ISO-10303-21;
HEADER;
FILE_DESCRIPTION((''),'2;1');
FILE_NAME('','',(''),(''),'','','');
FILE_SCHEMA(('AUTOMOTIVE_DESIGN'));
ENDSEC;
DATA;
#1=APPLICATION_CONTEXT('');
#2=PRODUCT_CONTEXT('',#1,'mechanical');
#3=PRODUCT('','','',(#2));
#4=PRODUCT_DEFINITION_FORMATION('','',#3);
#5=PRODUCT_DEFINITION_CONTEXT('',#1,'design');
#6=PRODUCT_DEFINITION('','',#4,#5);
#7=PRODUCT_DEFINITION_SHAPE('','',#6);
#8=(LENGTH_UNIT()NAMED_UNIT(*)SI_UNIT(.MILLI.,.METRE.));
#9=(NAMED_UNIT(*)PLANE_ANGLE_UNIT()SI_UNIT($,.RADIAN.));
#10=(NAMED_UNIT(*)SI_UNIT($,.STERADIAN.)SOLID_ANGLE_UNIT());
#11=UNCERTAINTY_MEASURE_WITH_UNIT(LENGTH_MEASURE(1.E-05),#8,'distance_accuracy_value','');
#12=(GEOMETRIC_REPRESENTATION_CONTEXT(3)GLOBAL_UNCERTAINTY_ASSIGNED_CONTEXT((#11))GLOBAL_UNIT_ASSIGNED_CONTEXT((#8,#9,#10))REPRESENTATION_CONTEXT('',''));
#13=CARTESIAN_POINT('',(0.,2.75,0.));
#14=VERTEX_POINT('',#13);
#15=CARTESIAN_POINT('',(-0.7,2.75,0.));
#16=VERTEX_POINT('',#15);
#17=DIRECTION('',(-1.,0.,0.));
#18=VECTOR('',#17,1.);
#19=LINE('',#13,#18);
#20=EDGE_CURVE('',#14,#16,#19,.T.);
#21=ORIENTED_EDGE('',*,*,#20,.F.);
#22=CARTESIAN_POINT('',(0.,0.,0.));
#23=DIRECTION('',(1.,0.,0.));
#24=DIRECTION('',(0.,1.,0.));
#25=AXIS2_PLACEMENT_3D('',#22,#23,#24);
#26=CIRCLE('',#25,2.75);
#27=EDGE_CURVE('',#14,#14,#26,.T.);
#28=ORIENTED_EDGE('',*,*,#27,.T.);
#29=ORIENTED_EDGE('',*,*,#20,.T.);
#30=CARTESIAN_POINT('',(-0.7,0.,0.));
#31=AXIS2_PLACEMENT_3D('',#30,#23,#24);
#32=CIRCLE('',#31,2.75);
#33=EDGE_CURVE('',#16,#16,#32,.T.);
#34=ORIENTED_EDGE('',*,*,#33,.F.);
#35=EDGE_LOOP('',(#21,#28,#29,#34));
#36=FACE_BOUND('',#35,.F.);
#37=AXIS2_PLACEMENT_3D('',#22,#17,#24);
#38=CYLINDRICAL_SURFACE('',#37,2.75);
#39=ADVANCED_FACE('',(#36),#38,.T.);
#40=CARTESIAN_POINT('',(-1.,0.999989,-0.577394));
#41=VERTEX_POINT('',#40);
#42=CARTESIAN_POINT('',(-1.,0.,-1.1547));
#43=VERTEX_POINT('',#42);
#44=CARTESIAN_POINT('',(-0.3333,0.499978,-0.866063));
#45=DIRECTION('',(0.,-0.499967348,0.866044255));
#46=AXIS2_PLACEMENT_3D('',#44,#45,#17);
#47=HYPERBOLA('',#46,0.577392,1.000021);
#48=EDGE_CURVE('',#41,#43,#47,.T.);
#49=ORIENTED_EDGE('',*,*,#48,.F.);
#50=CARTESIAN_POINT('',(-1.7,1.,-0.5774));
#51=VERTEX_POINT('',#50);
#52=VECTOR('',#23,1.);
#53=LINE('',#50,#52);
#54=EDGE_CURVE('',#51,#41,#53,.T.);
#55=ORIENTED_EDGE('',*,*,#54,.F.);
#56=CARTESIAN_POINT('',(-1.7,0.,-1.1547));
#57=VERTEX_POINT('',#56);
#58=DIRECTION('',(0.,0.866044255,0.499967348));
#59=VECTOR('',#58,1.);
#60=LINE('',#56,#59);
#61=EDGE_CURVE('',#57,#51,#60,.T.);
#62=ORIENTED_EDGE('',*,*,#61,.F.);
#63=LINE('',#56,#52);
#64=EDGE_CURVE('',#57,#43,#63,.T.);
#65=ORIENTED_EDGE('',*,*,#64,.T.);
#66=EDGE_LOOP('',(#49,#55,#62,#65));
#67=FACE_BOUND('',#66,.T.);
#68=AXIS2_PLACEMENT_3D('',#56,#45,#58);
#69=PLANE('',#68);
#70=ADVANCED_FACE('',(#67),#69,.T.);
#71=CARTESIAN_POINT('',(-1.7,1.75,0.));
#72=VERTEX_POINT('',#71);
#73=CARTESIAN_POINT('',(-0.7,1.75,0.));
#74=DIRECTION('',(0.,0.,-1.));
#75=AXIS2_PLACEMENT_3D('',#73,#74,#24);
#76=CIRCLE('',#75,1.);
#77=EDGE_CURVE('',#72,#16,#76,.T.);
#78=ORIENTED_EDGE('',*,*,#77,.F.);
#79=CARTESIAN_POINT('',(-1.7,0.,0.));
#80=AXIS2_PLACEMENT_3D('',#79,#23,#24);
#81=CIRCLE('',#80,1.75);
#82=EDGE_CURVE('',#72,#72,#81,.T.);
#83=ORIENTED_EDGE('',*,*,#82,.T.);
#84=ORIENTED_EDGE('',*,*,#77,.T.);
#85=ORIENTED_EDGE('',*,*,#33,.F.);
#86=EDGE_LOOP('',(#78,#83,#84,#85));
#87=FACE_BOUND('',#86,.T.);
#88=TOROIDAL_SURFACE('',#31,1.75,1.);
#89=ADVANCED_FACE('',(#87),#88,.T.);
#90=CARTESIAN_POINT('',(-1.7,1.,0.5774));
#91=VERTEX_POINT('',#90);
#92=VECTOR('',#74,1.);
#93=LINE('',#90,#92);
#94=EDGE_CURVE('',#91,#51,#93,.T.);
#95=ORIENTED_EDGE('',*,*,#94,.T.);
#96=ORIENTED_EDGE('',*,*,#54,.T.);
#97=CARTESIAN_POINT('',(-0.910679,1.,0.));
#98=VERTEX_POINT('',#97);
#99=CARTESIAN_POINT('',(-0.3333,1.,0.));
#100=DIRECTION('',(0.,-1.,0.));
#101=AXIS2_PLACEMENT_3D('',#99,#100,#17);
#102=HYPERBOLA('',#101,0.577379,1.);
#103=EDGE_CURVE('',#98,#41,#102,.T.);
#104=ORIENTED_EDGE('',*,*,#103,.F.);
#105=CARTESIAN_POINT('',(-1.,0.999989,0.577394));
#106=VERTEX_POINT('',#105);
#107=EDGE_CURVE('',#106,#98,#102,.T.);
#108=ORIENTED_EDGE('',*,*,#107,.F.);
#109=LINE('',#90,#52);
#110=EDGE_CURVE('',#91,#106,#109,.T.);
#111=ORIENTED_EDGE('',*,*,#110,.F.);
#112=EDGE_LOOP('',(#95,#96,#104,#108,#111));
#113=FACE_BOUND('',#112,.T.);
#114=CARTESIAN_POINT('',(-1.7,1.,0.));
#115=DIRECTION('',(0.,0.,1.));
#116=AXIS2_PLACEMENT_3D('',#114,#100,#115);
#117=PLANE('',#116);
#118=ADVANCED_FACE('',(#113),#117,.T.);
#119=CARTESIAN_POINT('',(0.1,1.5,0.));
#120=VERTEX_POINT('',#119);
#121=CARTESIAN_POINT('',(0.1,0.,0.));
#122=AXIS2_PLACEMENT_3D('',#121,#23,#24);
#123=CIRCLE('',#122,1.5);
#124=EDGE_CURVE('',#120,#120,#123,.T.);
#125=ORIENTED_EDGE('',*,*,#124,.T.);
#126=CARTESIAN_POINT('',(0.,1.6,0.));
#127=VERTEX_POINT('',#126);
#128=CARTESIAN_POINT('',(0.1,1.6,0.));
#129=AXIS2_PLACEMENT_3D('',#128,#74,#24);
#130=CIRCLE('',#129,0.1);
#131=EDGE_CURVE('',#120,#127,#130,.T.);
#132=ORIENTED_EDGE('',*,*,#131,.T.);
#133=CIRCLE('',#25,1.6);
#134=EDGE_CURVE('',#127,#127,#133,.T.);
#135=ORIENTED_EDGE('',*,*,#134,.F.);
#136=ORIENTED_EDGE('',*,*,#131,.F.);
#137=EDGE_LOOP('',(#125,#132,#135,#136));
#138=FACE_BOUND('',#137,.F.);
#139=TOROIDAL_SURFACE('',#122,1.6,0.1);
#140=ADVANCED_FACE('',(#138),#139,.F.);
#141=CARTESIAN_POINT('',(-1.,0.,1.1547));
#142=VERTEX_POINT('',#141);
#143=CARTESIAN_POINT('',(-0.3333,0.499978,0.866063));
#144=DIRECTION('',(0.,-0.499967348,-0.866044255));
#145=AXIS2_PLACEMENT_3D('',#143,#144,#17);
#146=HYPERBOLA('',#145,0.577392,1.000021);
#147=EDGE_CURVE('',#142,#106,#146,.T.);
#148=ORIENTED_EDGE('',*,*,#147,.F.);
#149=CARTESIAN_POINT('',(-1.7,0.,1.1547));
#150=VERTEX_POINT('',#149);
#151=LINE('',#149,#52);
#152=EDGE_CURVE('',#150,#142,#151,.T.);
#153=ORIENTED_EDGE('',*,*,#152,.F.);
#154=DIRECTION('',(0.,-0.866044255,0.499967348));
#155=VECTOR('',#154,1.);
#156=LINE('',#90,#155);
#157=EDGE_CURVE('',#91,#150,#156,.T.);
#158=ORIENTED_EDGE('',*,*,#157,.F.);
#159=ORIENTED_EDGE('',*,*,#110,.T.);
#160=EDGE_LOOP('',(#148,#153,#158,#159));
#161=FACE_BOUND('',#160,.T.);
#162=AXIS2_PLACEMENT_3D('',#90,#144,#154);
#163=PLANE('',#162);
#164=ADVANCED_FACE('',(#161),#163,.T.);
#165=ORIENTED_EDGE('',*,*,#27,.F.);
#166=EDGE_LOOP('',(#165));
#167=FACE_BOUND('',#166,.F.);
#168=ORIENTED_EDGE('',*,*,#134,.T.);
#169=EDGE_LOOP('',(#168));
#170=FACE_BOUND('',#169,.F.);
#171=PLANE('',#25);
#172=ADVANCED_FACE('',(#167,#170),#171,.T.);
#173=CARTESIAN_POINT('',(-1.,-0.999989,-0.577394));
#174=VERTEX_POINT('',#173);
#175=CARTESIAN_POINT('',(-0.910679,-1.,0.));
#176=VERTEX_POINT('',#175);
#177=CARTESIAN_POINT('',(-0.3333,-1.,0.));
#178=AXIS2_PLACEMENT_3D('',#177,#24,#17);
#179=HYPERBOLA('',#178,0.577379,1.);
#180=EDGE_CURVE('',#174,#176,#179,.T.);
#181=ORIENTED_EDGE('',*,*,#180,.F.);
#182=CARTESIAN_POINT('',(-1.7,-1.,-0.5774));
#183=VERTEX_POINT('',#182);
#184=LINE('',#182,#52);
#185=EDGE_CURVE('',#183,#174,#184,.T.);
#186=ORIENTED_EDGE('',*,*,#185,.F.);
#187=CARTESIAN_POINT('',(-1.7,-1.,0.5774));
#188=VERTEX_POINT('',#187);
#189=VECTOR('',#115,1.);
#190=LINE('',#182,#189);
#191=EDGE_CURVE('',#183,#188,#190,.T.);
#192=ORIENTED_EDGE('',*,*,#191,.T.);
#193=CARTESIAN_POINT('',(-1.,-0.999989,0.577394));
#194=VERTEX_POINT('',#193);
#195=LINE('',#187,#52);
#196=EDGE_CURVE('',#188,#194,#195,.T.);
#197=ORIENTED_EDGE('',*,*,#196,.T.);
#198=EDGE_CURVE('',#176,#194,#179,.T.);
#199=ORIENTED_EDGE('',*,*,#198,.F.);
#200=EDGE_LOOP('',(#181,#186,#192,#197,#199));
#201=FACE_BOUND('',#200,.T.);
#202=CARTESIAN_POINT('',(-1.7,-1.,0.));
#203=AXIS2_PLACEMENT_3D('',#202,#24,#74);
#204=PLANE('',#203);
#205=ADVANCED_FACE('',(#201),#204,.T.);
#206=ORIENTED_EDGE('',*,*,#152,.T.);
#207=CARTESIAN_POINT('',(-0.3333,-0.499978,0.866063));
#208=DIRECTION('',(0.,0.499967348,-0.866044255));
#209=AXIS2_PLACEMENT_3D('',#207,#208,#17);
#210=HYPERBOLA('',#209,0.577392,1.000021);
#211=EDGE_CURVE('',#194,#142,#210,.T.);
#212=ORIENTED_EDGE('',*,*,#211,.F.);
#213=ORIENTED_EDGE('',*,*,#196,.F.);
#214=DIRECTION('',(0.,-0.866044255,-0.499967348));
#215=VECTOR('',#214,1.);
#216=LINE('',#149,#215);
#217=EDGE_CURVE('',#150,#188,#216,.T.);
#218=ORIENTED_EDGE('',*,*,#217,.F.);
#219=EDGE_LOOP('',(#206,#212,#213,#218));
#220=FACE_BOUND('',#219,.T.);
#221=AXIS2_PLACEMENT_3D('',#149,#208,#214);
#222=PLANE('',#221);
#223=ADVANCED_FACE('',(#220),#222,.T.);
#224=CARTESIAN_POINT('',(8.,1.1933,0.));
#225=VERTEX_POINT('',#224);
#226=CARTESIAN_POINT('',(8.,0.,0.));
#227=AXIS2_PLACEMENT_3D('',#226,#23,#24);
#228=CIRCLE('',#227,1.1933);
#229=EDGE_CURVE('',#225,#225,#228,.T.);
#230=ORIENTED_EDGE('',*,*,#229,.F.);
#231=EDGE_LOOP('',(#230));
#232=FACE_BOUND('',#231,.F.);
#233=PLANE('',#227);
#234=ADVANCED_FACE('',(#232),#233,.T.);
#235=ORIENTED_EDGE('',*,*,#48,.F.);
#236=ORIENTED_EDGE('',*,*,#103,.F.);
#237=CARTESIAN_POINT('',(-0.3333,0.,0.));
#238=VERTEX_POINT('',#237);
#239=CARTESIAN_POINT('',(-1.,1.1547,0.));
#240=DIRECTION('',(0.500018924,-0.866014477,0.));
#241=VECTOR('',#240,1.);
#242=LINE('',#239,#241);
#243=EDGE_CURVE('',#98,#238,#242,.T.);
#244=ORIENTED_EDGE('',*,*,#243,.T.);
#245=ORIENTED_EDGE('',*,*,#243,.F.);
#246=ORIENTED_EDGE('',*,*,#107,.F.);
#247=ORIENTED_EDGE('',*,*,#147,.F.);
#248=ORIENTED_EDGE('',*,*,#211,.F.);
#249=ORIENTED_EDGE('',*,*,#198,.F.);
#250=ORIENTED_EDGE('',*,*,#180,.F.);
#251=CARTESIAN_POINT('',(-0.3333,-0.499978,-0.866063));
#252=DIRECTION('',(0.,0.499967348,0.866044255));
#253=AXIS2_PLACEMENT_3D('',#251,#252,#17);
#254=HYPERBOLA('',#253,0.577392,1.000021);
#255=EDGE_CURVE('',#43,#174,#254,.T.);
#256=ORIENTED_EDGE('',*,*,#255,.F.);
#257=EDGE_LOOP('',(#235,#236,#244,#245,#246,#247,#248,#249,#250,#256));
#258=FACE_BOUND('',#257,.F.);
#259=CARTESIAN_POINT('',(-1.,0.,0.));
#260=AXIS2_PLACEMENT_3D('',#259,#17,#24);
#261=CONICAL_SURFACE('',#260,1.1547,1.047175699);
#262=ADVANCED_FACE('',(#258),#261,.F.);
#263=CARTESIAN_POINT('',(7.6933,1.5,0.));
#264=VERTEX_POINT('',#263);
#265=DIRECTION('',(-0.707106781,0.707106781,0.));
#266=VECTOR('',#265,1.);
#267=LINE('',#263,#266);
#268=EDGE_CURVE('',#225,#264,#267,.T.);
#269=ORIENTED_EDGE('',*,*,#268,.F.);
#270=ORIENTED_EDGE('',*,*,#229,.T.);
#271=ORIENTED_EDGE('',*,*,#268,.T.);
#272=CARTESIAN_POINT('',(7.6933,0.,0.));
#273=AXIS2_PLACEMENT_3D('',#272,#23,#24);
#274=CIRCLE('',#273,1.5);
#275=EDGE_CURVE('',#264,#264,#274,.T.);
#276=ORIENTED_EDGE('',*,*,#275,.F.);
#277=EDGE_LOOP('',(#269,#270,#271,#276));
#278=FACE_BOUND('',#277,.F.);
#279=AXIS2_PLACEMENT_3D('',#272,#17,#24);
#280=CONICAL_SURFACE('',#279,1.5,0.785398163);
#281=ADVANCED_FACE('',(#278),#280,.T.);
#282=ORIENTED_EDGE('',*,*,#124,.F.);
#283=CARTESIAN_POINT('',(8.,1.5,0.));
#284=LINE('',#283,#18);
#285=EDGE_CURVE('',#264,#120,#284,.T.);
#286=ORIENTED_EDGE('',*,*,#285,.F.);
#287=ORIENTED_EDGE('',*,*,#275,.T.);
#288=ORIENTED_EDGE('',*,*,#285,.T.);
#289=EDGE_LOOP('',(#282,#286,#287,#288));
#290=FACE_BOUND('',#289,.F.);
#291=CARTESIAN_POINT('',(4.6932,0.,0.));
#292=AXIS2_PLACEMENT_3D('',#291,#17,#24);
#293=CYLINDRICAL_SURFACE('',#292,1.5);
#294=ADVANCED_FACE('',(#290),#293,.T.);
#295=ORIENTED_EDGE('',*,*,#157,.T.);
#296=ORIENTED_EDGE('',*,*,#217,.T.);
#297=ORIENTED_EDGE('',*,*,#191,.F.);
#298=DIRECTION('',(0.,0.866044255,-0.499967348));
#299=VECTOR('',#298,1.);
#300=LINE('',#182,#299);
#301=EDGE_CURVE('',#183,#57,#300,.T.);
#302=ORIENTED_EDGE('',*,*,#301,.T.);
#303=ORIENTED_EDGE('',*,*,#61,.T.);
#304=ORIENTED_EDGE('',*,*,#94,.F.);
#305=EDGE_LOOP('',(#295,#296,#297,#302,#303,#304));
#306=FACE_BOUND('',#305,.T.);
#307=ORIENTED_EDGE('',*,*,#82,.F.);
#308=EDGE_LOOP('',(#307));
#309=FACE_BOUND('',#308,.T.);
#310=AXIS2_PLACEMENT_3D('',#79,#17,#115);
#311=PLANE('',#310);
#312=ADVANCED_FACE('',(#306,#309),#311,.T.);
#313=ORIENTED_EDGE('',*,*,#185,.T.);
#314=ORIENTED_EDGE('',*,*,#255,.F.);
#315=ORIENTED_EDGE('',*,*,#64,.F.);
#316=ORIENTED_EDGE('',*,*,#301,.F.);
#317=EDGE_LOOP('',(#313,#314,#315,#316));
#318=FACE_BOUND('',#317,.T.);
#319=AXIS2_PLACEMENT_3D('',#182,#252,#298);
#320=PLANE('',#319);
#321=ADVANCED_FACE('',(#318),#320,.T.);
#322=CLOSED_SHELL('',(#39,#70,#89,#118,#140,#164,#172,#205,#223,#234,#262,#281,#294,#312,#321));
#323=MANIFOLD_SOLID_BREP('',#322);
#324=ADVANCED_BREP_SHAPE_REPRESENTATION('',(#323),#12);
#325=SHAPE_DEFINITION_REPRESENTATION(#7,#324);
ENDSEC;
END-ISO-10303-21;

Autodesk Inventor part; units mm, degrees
ref_plane "YZ Plane" through (0, 0, 0) normal (1, 0, 0) x (0, 1, 0)
ref_plane "XZ Plane" through (0, 0, 0) normal (0, 1, 0) x (-1, 0, 0)
sketch "Sketch1" plane through (0, 0, 0) normal (0, 0, 1) x (1, 0, 0)
  line L0 (-0.3333, 0) -> (8, 0)
  line L1 (8, 0) -> (8, 1.5)
  line L2 (8, 1.5) -> (5, 1.5)
  line L3 (5, 1.5) -> (4.6932, 1.5)
  line L4 (4.6932, 1.5) -> (0, 1.5)
  line L5 (0, 1.5) -> (0, 2.75)
  line L6 (0, 2.75) -> (-1.7, 2.75)
  line L7 (-1.7, 2.75) -> (-1.7, 1.1547)
  line L8 (-1.7, 1.1547) -> (-1, 1.1547)
  line L9 (-1, 1.1547) -> (-0.3333, 0)
  line L10 (-3.64, 0) -> (9.94, 0) projected
  line L11 (0, -0.55) -> (0, 3.3) projected
  line L12 (5, 1.5) -> (0, 1.5) construction
  dimension "d1" = 3
  dimension "d2" = 0.3068
  dimension "d3" = 1.7
  dimension "d4" = 0.7
  dimension "d5" = 60
  dimension "d6" = 3
  dimension "d7" = 3
  dimension "d8" = 2.3094
  dimension "d9" = 5.5
  dimension "d26" = 8
revolve "Body" add sketch "Sketch1" angle 360 about axis through (-0.3333, 0, 0) along (1, 0, 0)
sketch "Sketch2" plane through (-1.7, 0, 0) normal (-1, 0, 0) x (0, 0, 1)
  circle A0 centre (0, 0) radius 1.1547 projected
  line L0 (0, -3.85) -> (0, 3.85) projected
  line L1 (-3.85, 0) -> (3.85, 0) projected
  line L2 (1.1547, 0) -> (0.5774, -1)
  line L3 (0.5774, -1) -> (-0.5774, -1)
  line L4 (-0.5774, -1) -> (-1.1547, 0)
  line L5 (-1.1547, 0) -> (-0.5774, 1)
  line L6 (-0.5774, 1) -> (0.5774, 1)
  line L7 (0.5774, 1) -> (1.1547, 0)
extrude "Slot" add sketch "Sketch2" against normal up to next contours L7 A0 | A0 L2 | L6 L0 A0 | A0 L0 L3 | L0 L6 A0 | A0 L3 L0 | L4 A0 | A0 L5
fillet "Fillet1" radius 1 1 edges at (-1.7, -2.75, 0)
chamfer "Chamfer1" distance 0.3067 distance2 0.3067 1 edges at (8, -1.5, 0) measured on face at (8, 0.5539, 0.4443)
ref_plane "Work Plane1" through (29, 0, 0) normal (0, -1, 0) x (1, 0, 0)
fillet "Fillet2" radius 0.1 1 edges at (0, -1.5, 0)
thread "Thread2" size "M3x0.5" class "6g" standard "ANSI Metric M Profile" full length
equation "\"d15\" = -0.5 * SPD + 0.5 * GD"
equation "\"d16\" = GUL"
equation "\"GD\" = NND"
equation "\"NLG\" = 6"
equation "\"GEL\" = 4.5"
equation "\"KOD\" = 5.7"
equation "\"KOH\" = 1.65"
equation "\"INTI\" = 1.04"
equation "\"GAL\" = 0.61345 * PTC"
equation "\"GUL\" = 0.61345 * PTC"
equation "\"BDM\" = NND"
equation "\"SW\" = 2"
equation "\"RR\" = 1.45"
equation "\"SPD\" = NND - 1.2269 * PTC"
equation "\"R\" = 0.3"
equation "\"TOA\" = 30deg"
equation "\"GD1\" = THREADDIA - 1.2269 * PTC"
equation "\"THREADDIA\" = 3"
equation "\"PTC\" = 0.5"
equation "\"NND\" = 3"
equation "\"KOH1\" = 0.2"
equation "\"E0\" = 2.303"
properties part number "M3x8 Bolt" material "Stainless Steel"
